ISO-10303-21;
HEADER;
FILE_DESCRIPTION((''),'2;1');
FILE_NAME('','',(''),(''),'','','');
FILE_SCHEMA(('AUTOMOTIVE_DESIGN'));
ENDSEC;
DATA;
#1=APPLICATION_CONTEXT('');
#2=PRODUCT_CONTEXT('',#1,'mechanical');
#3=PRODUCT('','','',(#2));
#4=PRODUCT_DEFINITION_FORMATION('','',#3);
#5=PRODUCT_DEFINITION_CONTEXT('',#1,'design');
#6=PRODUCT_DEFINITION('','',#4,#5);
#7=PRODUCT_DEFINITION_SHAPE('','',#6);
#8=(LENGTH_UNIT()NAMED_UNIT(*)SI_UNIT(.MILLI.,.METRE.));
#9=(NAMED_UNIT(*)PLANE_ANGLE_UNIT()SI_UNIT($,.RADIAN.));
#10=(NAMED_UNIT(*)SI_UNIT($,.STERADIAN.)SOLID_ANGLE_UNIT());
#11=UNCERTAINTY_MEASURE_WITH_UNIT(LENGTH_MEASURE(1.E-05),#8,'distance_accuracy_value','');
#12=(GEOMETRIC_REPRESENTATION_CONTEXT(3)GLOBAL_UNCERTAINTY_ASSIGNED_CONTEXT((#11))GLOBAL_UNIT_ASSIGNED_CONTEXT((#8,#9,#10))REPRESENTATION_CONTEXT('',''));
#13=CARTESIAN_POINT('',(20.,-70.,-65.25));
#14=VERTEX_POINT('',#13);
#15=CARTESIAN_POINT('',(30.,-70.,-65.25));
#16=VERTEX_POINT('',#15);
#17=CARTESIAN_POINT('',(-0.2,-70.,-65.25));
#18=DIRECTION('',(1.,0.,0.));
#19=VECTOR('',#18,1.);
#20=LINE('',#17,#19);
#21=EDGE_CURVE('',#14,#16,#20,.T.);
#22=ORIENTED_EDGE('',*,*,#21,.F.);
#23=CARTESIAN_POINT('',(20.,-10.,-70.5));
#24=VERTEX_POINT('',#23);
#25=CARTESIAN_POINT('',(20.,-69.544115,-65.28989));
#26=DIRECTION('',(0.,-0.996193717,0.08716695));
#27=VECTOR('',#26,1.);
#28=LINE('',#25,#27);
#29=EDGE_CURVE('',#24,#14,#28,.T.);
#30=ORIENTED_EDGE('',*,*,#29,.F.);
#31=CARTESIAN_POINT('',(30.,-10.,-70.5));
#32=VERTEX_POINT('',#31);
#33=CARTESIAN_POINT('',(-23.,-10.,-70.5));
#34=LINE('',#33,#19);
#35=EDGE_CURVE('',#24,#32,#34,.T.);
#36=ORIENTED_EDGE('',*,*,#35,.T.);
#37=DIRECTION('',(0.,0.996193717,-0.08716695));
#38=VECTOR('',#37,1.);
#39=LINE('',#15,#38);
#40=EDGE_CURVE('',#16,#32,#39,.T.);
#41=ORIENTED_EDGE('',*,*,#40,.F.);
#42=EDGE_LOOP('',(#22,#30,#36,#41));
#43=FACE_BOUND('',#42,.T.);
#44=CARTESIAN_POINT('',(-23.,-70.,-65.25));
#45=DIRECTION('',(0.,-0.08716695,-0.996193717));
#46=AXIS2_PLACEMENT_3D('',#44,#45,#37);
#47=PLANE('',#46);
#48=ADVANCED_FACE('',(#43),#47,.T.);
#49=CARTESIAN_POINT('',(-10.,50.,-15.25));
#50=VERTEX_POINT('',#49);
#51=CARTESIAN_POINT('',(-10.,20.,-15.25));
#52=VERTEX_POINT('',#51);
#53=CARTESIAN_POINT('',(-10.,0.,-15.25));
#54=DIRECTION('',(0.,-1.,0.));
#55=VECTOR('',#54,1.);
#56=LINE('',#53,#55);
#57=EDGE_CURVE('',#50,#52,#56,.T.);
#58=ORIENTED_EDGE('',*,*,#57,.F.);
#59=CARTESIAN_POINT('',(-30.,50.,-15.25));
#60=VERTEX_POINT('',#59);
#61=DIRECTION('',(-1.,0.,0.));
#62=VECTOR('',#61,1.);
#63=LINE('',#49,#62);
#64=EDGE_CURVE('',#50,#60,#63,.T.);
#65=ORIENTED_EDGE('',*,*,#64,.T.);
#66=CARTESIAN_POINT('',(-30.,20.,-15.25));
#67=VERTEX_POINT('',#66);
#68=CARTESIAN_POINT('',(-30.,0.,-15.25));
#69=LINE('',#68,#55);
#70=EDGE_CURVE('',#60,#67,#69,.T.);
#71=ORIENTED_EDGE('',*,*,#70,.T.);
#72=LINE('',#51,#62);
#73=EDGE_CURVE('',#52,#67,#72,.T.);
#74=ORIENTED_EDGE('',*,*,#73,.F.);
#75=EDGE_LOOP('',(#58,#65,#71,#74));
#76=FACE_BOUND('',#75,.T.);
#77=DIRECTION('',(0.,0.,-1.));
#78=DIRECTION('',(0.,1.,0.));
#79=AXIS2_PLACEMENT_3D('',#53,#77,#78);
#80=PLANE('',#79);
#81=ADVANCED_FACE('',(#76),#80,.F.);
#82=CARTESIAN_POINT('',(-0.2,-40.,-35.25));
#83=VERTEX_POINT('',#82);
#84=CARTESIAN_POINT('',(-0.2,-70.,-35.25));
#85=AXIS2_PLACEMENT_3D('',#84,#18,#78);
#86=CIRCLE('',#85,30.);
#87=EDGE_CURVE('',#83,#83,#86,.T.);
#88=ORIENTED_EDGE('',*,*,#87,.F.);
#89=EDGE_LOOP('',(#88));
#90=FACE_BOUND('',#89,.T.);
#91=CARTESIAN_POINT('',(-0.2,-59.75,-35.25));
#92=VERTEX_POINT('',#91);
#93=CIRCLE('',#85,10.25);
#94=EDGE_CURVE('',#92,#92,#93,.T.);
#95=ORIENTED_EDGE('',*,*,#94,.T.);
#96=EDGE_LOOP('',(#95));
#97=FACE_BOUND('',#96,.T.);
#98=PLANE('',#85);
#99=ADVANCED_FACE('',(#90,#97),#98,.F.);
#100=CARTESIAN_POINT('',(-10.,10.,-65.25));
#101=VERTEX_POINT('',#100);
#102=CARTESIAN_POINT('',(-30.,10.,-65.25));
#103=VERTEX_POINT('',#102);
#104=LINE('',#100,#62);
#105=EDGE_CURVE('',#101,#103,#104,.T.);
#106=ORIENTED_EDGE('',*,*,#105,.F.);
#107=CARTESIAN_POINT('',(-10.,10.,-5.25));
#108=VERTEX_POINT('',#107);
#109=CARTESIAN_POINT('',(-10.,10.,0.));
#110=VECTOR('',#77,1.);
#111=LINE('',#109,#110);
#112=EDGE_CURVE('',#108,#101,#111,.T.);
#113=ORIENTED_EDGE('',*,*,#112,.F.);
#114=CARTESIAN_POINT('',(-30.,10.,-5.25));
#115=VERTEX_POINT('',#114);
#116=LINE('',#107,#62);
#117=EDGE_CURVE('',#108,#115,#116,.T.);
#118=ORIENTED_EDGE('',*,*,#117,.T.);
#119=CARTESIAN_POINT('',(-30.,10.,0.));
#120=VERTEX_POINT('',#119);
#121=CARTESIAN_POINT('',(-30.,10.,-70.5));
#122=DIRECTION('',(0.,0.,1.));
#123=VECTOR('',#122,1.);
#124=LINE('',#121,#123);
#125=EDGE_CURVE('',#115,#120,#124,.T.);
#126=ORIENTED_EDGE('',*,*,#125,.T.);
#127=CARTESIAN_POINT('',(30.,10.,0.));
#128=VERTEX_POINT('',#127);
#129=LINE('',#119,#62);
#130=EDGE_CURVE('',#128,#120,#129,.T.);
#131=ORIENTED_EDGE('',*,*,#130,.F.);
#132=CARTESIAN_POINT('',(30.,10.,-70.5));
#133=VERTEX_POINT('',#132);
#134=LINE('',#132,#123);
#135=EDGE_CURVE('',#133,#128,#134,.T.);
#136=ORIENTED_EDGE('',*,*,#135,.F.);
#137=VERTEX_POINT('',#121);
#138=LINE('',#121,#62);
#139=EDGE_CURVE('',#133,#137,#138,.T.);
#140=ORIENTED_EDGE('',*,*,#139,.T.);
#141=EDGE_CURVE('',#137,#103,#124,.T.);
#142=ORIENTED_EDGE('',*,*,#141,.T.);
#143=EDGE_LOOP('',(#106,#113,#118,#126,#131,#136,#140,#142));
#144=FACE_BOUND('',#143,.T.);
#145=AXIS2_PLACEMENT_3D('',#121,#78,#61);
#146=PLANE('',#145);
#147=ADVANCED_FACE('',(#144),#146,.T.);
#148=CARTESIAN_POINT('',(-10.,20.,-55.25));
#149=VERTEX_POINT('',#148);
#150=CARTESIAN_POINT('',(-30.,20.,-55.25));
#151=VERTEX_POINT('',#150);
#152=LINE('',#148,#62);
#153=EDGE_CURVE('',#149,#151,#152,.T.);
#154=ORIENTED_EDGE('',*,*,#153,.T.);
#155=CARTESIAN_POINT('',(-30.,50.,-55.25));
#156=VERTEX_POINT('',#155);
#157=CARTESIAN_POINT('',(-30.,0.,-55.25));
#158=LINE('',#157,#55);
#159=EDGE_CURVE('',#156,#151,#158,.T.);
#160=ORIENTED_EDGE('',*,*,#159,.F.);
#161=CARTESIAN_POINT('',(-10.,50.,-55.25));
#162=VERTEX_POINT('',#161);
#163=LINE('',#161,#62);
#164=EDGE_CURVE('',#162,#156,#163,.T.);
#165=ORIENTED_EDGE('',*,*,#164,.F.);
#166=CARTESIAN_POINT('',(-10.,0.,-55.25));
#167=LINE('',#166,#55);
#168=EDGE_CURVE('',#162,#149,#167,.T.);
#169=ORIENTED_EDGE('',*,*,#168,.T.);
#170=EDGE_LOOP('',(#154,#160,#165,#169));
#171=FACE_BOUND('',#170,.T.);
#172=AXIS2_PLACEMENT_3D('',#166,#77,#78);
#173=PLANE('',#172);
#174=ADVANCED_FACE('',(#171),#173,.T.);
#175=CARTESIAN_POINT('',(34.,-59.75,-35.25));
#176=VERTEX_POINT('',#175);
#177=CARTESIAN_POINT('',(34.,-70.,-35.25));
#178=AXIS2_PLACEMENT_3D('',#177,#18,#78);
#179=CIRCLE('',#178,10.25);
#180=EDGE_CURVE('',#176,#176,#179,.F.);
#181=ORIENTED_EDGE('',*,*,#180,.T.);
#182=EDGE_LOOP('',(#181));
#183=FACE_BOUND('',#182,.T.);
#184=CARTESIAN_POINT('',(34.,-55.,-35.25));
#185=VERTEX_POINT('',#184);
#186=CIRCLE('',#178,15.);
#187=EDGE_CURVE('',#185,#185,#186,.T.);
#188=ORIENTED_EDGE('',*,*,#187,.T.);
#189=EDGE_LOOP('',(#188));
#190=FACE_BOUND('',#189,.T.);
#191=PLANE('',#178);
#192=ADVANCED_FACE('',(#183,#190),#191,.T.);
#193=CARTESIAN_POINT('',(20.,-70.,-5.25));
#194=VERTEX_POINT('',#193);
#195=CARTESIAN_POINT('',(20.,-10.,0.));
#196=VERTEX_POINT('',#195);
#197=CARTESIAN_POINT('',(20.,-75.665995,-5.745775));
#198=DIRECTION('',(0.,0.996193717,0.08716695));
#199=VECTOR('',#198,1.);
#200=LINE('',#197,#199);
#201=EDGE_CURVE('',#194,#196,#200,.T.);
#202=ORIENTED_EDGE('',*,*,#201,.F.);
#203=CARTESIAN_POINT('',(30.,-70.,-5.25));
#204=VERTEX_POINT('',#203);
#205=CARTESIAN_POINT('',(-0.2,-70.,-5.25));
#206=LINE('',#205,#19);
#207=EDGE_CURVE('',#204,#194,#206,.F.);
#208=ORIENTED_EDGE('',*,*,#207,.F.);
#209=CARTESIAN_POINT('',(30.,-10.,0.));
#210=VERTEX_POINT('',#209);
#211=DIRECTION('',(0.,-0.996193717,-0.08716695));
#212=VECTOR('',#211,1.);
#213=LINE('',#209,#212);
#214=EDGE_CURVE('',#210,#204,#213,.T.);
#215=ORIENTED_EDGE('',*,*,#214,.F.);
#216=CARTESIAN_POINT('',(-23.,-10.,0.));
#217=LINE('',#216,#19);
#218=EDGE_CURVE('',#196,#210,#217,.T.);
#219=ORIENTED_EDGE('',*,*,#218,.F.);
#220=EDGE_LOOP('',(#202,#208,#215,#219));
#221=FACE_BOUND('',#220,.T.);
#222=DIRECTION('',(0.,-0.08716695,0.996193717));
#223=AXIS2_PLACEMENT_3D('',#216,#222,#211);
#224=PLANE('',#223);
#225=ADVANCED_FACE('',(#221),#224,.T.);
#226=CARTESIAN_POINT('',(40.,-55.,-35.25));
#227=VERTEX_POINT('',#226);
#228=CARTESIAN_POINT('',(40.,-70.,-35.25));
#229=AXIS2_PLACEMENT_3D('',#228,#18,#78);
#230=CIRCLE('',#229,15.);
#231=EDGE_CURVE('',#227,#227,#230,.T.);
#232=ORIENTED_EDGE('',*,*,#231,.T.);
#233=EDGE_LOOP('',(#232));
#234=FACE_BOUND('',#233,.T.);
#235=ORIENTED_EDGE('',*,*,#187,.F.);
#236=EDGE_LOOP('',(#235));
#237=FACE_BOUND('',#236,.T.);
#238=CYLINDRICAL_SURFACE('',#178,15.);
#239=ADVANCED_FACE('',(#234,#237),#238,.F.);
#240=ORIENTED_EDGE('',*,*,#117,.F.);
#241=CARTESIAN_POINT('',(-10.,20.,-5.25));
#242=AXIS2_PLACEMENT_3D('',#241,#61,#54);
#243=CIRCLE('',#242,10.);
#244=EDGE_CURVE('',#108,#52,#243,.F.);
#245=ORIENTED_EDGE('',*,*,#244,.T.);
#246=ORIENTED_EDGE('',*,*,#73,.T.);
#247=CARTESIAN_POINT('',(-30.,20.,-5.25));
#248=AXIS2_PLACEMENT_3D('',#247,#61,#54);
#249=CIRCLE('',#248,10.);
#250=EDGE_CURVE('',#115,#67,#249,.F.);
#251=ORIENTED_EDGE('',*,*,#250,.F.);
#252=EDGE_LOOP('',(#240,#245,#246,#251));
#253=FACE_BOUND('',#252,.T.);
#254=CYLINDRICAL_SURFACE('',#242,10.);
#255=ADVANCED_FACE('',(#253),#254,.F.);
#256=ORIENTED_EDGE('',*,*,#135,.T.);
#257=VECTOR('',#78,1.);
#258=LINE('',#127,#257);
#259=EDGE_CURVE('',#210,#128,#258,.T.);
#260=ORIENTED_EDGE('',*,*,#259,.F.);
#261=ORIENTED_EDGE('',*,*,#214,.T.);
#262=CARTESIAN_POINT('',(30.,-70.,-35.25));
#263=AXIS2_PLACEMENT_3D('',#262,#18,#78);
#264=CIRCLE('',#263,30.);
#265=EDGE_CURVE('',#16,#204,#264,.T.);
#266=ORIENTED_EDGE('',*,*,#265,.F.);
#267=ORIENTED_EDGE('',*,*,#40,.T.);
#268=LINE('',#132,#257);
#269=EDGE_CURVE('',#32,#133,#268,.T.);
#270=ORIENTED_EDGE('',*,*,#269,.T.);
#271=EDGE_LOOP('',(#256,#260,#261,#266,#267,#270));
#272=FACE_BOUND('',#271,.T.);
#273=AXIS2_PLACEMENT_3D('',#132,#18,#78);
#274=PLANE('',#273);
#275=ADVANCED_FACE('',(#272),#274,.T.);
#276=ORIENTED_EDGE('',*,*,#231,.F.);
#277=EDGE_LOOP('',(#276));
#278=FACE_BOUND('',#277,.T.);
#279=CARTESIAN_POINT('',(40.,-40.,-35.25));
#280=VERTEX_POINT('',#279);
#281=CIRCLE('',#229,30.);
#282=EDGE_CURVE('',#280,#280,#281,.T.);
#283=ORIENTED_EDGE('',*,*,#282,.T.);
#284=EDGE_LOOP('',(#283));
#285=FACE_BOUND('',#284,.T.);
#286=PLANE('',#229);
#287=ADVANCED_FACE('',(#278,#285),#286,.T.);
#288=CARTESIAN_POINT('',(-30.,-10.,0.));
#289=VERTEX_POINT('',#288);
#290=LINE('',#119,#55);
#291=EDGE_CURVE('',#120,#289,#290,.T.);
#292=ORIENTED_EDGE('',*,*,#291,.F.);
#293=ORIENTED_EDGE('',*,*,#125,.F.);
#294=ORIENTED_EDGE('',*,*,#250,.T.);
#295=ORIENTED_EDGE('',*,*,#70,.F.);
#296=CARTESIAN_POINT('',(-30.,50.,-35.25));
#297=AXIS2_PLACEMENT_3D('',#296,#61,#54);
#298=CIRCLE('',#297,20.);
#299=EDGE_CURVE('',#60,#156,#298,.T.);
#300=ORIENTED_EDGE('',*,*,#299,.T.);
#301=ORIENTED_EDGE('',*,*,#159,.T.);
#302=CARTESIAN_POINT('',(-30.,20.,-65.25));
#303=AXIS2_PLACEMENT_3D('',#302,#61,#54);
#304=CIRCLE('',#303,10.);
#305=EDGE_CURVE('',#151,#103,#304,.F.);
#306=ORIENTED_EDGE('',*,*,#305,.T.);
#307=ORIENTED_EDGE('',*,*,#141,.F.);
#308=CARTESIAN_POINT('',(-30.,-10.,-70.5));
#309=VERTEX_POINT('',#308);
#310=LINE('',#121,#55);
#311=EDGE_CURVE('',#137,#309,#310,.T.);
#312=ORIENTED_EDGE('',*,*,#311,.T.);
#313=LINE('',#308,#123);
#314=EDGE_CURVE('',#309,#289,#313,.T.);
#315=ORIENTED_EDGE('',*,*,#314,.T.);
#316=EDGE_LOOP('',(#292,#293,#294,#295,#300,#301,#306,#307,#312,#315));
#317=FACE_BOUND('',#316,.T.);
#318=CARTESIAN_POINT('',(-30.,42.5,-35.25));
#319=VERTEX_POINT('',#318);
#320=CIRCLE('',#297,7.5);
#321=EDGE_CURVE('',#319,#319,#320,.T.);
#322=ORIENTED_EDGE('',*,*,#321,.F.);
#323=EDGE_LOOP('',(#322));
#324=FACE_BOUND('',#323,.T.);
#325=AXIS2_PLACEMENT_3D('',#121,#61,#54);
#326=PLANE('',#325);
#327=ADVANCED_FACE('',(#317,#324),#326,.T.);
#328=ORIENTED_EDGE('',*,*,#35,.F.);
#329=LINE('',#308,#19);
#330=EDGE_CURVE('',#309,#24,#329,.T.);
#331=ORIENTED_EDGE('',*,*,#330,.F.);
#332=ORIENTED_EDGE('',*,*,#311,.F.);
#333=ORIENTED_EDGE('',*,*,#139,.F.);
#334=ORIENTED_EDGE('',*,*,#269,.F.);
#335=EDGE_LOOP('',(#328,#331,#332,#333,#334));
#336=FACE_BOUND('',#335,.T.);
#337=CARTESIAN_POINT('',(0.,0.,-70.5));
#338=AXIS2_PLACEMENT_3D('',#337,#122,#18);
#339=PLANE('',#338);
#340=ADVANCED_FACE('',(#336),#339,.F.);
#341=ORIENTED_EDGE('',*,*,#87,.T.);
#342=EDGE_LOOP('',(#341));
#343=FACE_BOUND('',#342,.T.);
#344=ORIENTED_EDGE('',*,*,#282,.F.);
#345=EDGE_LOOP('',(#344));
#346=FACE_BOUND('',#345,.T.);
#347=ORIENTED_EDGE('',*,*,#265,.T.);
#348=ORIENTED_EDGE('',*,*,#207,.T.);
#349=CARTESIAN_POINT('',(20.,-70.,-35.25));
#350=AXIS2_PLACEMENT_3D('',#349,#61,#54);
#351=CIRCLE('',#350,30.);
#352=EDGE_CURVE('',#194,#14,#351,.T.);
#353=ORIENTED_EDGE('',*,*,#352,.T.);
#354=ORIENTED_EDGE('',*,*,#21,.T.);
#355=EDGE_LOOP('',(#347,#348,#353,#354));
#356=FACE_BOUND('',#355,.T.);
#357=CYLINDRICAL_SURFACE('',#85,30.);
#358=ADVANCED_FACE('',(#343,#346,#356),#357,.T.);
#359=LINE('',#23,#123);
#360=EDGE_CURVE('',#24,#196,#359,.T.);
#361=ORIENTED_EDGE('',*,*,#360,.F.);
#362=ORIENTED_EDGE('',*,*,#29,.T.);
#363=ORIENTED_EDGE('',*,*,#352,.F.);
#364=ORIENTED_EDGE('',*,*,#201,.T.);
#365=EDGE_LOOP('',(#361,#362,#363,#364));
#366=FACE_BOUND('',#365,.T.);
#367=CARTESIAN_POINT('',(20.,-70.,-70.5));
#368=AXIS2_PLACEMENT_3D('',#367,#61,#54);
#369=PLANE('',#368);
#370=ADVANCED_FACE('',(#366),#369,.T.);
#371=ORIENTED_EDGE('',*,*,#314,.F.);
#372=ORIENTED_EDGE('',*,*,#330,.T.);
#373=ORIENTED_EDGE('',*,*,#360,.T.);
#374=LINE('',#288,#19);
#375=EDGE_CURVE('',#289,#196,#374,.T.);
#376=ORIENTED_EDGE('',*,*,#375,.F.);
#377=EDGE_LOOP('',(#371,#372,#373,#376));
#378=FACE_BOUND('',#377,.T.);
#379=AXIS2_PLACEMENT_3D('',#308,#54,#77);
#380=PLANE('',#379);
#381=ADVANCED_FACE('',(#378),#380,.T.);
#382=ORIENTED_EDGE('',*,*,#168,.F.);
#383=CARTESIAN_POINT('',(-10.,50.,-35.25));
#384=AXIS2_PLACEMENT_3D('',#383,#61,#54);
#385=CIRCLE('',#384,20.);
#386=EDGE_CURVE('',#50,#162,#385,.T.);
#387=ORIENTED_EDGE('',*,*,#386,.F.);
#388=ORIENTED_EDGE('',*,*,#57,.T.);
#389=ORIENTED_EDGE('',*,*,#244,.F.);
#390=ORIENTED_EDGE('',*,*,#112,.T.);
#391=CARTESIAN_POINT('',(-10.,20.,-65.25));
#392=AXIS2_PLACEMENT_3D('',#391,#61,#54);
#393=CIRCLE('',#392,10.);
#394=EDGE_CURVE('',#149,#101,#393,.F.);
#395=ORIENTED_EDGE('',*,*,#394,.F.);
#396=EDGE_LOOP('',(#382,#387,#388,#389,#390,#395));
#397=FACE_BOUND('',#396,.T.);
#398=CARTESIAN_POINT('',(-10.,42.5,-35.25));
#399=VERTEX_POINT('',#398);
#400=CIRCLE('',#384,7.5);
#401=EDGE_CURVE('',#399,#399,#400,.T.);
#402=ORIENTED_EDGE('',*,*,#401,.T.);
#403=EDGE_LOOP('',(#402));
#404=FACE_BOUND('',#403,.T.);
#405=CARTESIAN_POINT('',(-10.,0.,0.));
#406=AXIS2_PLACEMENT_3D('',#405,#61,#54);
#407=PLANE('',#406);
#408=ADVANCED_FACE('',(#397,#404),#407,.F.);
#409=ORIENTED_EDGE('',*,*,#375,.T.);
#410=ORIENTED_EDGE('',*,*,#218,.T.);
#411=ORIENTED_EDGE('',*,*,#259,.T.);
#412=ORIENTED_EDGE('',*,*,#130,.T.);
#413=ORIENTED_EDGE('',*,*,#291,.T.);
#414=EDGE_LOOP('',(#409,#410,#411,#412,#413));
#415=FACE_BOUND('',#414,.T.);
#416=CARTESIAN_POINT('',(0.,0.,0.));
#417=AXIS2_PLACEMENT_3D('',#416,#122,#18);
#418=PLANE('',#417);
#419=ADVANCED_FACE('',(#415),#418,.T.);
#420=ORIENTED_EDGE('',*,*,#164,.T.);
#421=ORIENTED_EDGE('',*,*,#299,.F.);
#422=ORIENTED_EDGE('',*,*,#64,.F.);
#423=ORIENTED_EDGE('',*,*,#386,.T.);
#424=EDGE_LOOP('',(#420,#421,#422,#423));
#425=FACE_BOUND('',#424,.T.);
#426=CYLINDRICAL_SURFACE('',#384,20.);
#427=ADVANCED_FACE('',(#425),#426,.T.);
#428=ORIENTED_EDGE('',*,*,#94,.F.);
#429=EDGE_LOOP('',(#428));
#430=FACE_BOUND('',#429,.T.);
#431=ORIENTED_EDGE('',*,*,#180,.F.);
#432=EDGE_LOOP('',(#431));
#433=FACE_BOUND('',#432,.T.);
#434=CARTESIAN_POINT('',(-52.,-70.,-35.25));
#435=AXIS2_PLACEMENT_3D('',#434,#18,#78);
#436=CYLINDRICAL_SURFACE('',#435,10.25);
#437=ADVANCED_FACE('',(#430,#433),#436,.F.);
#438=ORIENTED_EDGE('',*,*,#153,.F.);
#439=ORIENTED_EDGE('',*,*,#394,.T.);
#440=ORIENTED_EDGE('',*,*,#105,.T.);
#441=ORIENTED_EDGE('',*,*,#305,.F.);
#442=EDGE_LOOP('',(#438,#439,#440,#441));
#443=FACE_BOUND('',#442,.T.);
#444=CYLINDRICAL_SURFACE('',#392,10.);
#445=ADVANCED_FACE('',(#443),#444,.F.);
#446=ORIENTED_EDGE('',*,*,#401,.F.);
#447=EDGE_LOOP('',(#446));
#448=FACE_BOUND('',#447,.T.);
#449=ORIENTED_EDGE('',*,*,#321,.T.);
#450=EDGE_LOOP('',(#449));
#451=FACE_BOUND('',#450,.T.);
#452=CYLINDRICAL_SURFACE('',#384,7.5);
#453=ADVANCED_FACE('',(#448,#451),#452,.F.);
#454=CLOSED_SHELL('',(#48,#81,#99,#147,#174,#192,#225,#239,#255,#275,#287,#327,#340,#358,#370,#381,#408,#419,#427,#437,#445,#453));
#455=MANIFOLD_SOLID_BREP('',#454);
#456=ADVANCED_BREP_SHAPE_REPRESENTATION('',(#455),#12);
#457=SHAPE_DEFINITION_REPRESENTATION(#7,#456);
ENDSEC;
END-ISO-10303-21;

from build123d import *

# Parameters (mm, degrees)
BOSS_EXTRUDE1_DEPTH      = 70.5
BOSS_EXTRUDE2_DEPTH      = 10
BOSS_EXTRUDE2_DEPTH_BACK = 30.2
SKETCH2_R                = 30
SKETCH3_R                = 10.25
CUT_EXTRUDE1_DEPTH       = 92
SKETCH4_R                = 15
CUT_EXTRUDE2_DEPTH       = 6
CUT_EXTRUDE_THIN1_DEPTH  = 53
SKETCH7_R                = 7.5
BOSS_EXTRUDE5_DEPTH      = 20


with BuildPart() as part:
    # Sketch1 → Boss-Extrude1 (new body)
    with BuildSketch(Plane.XY):
        Polygon((-30, 10), (30, 10), (30, -70), (20, -70), (20, -10), (-30, -10), align=None)
    extrude(amount=-BOSS_EXTRUDE1_DEPTH)

    # Sketch2 → Boss-Extrude2 (add, two sides: drawn at the far end of the back side and taken through both)
    with BuildSketch(Plane(origin=(30, 0, 0), x_dir=(0, 0, -1), z_dir=(1, 0, 0)).offset(-BOSS_EXTRUDE2_DEPTH_BACK)):
        with Locations(Location((35.25, -70, 0), (0, 0, 90))):
            Circle(SKETCH2_R)
    extrude(amount=BOSS_EXTRUDE2_DEPTH + BOSS_EXTRUDE2_DEPTH_BACK)

    # Sketch3 → Cut-Extrude1 (cut)
    with BuildSketch(Plane(origin=(40, 0, 0), x_dir=(0, 0, -1), z_dir=(1, 0, 0))):
        with Locations(Location((35.25, -70, 0), (0, 0, 90))):
            Circle(SKETCH3_R)
    extrude(amount=-CUT_EXTRUDE1_DEPTH, mode=Mode.SUBTRACT)

    # Sketch4 → Cut-Extrude2 (cut)
    with BuildSketch(Plane(origin=(40, 0, 0), x_dir=(0, 0, -1), z_dir=(1, 0, 0))):
        with Locations(Location((35.25, -70, 0), (0, 0, 90))):
            Circle(SKETCH4_R)
    extrude(amount=-CUT_EXTRUDE2_DEPTH, mode=Mode.SUBTRACT)

    # Sketch5 → Cut-Extrude-Thin1 (cut)
    with BuildSketch(Plane(origin=(30, 0, 0), x_dir=(0, 0, -1), z_dir=(1, 0, 0))):
        Polygon((0, -10), (5.25, -70), (-4.711937175, -70.871669503), (-9.961937175, -10.871669503), align=None)
        Polygon((65.25, -70), (70.5, -10), (80.461937175, -10.871669503), (75.211937175, -70.871669503), align=None)
    extrude(amount=-CUT_EXTRUDE_THIN1_DEPTH, mode=Mode.SUBTRACT)

    # Sketch7 → Boss-Extrude5 (add)
    with BuildSketch(Plane.ZY.offset(30)):
        with BuildLine():
            ThreePointArc((-15.25, 50), (-35.25, 70), (-55.25, 50))
            Line((-55.25, 50), (-55.25, 20))
            ThreePointArc((-55.25, 20), (-58.178932188, 12.928932188), (-65.25, 10))
            Line((-65.25, 10), (-5.25, 10))
            ThreePointArc((-5.25, 10), (-12.321067812, 12.928932188), (-15.25, 20))
            Line((-15.25, 20), (-15.25, 50))
        make_face()
        with Locations(Location((-35.25, 50, 0), (0, 0, 270))):
            Circle(SKETCH7_R, mode=Mode.SUBTRACT)
    extrude(amount=-BOSS_EXTRUDE5_DEPTH)


solid = part.part
